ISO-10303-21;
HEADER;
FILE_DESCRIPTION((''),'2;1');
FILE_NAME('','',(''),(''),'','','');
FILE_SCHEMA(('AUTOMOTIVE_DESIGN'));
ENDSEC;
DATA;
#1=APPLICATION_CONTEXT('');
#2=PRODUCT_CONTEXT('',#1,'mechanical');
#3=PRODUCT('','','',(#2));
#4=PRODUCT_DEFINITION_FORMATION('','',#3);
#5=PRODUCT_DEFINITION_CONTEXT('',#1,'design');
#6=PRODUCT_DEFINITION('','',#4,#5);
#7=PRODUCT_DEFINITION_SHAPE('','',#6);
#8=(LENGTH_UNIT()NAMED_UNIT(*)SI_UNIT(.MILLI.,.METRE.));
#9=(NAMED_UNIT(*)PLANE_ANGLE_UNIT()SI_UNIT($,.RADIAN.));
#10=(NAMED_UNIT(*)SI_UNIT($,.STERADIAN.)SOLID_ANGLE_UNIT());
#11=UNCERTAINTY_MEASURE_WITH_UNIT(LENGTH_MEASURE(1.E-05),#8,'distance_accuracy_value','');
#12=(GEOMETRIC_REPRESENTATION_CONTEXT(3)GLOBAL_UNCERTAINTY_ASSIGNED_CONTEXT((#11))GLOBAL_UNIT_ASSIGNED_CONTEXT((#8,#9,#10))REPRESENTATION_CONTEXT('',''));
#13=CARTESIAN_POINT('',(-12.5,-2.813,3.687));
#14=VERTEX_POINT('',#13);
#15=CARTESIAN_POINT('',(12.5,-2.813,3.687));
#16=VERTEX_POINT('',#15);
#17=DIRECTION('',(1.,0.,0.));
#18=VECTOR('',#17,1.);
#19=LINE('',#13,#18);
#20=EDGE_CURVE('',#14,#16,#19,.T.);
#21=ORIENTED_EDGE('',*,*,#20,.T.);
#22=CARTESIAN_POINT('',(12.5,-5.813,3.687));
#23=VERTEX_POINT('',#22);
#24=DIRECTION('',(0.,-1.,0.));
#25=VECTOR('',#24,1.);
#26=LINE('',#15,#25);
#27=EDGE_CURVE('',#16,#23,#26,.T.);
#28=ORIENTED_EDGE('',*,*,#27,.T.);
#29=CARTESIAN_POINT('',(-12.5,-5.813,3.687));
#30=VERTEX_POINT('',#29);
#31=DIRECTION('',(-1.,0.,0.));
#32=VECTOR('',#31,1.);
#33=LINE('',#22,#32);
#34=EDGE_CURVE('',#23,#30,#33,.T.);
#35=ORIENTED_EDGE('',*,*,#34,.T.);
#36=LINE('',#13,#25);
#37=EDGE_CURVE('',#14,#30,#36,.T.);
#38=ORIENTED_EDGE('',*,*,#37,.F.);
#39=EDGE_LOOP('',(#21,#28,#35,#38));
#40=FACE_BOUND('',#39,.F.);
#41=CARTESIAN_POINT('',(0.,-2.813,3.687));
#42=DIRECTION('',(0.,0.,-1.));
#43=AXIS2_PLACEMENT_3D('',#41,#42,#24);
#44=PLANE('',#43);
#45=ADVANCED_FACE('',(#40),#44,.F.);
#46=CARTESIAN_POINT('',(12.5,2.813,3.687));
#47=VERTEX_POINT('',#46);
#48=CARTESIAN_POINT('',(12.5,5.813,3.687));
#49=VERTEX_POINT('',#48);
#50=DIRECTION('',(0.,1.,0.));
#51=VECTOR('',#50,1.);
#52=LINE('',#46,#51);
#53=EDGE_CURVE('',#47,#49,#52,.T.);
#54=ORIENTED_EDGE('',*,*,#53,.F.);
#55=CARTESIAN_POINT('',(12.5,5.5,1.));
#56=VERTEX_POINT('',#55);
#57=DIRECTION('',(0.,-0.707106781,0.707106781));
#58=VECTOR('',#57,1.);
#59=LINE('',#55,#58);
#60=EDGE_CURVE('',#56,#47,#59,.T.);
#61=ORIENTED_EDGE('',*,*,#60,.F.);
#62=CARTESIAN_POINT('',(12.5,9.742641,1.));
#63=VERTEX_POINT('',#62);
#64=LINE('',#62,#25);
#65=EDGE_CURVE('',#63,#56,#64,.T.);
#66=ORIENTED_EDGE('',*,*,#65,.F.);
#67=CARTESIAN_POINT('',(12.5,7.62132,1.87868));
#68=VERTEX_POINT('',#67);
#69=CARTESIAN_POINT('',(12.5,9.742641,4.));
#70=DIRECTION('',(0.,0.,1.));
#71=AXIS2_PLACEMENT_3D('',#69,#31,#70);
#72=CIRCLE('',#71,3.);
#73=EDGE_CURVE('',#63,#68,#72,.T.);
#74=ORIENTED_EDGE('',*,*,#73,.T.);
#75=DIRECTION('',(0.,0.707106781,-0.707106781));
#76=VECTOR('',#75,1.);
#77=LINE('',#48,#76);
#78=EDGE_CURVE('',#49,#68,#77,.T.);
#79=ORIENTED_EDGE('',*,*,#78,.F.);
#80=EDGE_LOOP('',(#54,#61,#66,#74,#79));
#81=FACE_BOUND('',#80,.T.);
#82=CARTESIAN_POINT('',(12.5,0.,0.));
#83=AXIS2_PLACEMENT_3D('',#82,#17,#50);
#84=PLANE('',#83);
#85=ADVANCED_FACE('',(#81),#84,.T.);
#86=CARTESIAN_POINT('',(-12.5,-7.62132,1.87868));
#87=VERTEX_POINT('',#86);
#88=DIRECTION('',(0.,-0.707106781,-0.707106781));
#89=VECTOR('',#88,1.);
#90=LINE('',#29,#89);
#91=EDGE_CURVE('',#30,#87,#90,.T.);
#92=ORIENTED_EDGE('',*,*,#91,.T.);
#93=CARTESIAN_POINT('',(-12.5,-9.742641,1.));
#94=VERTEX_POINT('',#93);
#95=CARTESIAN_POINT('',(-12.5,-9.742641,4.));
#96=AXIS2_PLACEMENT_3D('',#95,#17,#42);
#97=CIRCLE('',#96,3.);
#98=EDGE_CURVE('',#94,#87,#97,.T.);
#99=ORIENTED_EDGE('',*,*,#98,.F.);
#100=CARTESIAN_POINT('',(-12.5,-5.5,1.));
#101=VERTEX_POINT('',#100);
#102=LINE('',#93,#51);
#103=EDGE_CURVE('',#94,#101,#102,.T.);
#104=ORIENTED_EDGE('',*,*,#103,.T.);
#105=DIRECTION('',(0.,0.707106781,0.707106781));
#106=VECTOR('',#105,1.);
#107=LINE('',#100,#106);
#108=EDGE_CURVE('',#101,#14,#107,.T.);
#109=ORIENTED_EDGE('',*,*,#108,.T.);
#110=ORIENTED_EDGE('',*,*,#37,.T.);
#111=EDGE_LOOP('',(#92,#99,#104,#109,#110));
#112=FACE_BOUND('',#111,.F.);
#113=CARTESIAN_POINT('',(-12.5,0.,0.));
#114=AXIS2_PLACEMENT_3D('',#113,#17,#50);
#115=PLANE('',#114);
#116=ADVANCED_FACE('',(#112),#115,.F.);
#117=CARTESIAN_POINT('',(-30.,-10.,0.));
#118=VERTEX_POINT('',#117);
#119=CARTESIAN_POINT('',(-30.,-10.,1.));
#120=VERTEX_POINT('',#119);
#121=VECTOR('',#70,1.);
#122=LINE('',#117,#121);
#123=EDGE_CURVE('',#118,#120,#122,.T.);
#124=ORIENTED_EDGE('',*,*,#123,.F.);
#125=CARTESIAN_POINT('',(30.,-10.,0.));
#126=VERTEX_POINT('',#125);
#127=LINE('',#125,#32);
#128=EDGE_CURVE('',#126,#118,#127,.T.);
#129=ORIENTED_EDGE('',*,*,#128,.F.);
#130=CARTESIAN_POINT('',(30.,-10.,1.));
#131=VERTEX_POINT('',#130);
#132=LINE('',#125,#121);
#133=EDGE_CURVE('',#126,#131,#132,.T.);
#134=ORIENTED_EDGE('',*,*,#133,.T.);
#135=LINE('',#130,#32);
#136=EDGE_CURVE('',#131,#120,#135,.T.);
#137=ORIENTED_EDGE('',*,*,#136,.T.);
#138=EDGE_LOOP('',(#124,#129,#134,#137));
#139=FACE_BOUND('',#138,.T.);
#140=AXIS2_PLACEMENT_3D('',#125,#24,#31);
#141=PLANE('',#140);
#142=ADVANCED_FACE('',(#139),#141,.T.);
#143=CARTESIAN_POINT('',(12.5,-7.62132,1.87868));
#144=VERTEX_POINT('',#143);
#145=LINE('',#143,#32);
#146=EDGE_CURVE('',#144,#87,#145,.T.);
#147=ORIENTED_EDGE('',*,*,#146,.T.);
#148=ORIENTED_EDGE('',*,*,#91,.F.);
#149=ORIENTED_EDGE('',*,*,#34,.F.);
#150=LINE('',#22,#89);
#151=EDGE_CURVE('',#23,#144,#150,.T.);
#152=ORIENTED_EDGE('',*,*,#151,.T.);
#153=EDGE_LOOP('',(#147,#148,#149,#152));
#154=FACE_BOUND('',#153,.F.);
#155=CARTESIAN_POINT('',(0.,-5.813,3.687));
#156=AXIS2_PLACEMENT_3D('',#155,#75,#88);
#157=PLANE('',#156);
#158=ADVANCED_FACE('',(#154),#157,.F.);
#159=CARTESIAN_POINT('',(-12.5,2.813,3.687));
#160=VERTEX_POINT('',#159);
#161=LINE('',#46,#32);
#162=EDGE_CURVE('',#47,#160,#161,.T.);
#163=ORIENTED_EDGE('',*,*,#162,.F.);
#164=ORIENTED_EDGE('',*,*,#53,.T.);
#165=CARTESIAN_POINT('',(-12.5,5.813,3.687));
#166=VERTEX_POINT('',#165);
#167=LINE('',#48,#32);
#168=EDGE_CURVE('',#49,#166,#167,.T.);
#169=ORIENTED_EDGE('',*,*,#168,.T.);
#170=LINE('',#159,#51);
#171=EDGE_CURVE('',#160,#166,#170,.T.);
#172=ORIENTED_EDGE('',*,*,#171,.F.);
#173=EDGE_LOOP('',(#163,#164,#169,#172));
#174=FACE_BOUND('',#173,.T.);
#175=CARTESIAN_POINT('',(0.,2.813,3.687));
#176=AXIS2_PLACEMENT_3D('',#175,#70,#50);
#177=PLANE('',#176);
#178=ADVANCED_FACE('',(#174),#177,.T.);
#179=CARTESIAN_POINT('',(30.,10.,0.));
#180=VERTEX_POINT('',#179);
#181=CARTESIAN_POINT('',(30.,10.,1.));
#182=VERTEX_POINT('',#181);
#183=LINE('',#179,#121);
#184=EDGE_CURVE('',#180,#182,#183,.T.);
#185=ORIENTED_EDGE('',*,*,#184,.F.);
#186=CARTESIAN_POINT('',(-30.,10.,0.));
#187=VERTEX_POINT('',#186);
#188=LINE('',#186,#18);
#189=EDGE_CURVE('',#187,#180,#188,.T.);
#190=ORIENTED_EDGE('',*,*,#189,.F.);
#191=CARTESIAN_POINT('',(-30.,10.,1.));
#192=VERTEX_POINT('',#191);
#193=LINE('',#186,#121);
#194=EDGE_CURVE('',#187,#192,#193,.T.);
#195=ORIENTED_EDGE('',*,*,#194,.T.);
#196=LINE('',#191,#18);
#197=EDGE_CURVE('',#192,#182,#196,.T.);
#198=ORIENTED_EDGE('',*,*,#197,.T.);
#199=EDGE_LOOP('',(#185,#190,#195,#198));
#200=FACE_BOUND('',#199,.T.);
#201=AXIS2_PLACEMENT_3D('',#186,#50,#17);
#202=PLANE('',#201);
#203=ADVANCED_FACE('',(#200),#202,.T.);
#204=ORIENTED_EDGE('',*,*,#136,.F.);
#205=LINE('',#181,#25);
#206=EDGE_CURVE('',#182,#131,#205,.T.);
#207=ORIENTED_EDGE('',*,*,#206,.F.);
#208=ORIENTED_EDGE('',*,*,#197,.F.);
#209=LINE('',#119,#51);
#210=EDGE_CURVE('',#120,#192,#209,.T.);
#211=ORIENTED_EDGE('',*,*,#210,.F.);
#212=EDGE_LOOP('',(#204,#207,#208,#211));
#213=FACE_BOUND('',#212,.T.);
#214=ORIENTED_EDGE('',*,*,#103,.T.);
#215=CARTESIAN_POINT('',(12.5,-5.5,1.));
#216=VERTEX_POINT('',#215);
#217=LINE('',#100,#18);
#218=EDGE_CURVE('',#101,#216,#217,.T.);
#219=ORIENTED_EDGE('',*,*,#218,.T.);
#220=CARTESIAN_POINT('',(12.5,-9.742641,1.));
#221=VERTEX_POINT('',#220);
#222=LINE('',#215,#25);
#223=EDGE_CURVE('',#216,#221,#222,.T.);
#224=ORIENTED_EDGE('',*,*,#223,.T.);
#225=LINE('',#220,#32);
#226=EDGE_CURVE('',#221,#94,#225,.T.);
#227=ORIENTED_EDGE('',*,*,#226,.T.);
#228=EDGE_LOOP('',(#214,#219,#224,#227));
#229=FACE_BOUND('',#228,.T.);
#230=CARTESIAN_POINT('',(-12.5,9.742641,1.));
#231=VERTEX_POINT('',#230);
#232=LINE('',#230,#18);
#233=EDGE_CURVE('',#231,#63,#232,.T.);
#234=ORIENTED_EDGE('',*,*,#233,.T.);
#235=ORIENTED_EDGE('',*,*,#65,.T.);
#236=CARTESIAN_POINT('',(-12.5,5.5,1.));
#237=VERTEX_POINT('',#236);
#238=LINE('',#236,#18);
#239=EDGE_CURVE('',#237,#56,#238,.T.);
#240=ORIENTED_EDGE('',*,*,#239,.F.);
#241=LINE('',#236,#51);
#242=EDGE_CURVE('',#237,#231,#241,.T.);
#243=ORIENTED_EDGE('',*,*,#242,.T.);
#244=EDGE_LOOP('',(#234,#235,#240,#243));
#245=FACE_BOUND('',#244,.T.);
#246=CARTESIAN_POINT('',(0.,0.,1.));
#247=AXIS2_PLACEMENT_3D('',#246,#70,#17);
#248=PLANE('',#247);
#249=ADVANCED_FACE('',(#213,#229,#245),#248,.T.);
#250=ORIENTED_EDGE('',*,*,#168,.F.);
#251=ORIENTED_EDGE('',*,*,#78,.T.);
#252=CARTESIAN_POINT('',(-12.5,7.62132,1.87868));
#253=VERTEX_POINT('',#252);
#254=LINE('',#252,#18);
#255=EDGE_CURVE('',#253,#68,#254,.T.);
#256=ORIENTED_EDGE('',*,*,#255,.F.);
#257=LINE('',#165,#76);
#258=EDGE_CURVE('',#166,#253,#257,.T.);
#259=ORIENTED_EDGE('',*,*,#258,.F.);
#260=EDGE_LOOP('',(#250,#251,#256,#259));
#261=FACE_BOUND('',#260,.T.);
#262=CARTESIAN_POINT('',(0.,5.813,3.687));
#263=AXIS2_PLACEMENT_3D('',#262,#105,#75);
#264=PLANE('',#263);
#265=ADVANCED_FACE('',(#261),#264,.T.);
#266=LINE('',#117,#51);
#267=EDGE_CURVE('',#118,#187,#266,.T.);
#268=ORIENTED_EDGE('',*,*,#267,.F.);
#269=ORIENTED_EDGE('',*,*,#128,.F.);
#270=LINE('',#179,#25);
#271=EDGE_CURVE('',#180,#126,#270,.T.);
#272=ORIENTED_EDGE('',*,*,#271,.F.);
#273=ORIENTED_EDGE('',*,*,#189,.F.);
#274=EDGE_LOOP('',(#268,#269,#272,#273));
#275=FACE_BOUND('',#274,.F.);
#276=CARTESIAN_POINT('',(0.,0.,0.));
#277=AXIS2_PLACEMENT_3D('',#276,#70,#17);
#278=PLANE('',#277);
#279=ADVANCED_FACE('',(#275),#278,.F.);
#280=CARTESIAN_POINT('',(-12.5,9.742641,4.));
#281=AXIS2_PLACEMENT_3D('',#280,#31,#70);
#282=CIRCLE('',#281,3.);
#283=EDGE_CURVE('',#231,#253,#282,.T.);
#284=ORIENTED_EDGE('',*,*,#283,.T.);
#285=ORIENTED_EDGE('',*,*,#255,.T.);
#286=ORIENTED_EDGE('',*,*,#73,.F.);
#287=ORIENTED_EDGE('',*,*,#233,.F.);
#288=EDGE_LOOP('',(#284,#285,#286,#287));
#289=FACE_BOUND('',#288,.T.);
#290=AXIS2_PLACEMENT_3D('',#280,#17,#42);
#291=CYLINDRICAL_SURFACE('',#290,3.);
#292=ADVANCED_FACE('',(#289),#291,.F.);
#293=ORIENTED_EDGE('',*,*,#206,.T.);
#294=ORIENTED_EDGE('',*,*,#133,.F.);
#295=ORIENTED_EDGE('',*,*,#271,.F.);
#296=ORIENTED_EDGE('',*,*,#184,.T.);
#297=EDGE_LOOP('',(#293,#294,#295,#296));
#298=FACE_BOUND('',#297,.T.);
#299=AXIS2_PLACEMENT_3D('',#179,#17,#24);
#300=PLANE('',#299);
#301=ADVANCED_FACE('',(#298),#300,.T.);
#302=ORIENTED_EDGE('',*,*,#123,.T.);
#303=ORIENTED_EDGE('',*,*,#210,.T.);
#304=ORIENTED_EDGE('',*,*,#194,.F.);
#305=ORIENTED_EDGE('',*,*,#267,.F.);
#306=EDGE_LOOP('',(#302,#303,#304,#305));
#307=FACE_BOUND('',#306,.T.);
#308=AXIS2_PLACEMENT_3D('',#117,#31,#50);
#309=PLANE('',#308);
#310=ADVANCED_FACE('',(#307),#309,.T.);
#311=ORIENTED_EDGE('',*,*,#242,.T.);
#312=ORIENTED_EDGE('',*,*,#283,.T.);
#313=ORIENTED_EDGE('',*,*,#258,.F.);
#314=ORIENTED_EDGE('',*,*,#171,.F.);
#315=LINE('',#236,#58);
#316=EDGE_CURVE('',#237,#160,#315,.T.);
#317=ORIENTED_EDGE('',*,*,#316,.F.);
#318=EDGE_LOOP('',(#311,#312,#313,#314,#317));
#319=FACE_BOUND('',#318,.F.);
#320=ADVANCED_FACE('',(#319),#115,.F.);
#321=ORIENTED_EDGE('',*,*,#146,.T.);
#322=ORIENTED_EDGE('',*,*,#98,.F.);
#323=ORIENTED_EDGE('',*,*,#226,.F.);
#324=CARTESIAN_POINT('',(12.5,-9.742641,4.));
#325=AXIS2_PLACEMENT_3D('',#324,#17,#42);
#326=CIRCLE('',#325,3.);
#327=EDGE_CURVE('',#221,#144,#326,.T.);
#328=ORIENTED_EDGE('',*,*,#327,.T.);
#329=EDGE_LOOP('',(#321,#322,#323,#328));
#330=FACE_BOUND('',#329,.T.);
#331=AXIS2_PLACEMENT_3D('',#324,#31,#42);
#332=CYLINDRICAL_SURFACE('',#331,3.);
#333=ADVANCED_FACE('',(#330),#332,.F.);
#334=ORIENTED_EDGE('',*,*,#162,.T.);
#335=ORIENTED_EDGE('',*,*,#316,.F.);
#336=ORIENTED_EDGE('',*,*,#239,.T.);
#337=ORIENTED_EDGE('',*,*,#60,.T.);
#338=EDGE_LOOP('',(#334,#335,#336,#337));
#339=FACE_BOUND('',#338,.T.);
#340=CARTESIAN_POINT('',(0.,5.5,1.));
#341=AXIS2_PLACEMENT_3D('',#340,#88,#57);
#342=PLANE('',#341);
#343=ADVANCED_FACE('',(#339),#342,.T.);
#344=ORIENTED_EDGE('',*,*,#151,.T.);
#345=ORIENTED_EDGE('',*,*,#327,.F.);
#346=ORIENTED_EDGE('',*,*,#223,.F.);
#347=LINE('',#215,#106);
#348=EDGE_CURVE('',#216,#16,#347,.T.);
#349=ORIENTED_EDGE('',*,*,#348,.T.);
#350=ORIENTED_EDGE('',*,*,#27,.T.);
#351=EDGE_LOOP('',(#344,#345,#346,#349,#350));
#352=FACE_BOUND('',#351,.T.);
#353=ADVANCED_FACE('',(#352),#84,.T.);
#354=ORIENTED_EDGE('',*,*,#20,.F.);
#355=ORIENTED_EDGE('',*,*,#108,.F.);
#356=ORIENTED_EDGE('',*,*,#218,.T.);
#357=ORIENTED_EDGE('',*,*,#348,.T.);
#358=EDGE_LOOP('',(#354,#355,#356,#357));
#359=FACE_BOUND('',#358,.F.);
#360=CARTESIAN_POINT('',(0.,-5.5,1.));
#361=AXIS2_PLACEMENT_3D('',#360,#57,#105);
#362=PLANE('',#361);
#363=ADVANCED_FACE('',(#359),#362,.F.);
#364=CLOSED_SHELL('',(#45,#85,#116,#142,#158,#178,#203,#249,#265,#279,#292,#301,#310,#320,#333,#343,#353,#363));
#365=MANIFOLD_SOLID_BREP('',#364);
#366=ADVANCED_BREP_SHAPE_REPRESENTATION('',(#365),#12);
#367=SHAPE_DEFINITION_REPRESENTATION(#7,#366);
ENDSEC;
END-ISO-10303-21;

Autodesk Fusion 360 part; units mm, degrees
sketch "Sketch1" plane through (0, 0, 0) normal (0, 0, 1) x (1, 0, 0)
  line L0 (30, -10) -> (-30, -10)
  line L1 (-30, -10) -> (-30, 10)
  line L2 (-30, 10) -> (30, 10)
  line L3 (30, 10) -> (30, -10)
  line L4 (30, -10) -> (-30, 10) construction
  line L5 (-30, -10) -> (30, 10) construction
  dimension "d1" = 60
  dimension "d2" = 20
extrude "Extrude1" add sketch "Sketch1" along normal blind 1
sketch "Sketch2" plane through (0, 0, 0) normal (1, 0, 0) x (0, 1, 0)
  line L0 (5.5, 1) -> (2.813, 3.687)
  line L1 (5.5, 1) -> (9.3, 1) construction
  line L2 (2.813, 3.687) -> (5.813, 3.687)
  line L3 (5.813, 3.687) -> (8.5, 1)
  line L4 (-5.5, 1) -> (-2.813, 3.687)
  line L5 (-5.813, 3.687) -> (-8.5, 1)
  line L6 (-2.813, 3.687) -> (-5.813, 3.687)
  line L7 (-8.5, 1) -> (-5.5, 1)
  line L8 (5.5, 1) -> (8.5, 1)
extrude "Extrude2" add sketch "Sketch2" along normal mid plane 25
fillet "Fillet1" radius 3 2 edges at (0, -8.5, 1) (0, 8.5, 1)
